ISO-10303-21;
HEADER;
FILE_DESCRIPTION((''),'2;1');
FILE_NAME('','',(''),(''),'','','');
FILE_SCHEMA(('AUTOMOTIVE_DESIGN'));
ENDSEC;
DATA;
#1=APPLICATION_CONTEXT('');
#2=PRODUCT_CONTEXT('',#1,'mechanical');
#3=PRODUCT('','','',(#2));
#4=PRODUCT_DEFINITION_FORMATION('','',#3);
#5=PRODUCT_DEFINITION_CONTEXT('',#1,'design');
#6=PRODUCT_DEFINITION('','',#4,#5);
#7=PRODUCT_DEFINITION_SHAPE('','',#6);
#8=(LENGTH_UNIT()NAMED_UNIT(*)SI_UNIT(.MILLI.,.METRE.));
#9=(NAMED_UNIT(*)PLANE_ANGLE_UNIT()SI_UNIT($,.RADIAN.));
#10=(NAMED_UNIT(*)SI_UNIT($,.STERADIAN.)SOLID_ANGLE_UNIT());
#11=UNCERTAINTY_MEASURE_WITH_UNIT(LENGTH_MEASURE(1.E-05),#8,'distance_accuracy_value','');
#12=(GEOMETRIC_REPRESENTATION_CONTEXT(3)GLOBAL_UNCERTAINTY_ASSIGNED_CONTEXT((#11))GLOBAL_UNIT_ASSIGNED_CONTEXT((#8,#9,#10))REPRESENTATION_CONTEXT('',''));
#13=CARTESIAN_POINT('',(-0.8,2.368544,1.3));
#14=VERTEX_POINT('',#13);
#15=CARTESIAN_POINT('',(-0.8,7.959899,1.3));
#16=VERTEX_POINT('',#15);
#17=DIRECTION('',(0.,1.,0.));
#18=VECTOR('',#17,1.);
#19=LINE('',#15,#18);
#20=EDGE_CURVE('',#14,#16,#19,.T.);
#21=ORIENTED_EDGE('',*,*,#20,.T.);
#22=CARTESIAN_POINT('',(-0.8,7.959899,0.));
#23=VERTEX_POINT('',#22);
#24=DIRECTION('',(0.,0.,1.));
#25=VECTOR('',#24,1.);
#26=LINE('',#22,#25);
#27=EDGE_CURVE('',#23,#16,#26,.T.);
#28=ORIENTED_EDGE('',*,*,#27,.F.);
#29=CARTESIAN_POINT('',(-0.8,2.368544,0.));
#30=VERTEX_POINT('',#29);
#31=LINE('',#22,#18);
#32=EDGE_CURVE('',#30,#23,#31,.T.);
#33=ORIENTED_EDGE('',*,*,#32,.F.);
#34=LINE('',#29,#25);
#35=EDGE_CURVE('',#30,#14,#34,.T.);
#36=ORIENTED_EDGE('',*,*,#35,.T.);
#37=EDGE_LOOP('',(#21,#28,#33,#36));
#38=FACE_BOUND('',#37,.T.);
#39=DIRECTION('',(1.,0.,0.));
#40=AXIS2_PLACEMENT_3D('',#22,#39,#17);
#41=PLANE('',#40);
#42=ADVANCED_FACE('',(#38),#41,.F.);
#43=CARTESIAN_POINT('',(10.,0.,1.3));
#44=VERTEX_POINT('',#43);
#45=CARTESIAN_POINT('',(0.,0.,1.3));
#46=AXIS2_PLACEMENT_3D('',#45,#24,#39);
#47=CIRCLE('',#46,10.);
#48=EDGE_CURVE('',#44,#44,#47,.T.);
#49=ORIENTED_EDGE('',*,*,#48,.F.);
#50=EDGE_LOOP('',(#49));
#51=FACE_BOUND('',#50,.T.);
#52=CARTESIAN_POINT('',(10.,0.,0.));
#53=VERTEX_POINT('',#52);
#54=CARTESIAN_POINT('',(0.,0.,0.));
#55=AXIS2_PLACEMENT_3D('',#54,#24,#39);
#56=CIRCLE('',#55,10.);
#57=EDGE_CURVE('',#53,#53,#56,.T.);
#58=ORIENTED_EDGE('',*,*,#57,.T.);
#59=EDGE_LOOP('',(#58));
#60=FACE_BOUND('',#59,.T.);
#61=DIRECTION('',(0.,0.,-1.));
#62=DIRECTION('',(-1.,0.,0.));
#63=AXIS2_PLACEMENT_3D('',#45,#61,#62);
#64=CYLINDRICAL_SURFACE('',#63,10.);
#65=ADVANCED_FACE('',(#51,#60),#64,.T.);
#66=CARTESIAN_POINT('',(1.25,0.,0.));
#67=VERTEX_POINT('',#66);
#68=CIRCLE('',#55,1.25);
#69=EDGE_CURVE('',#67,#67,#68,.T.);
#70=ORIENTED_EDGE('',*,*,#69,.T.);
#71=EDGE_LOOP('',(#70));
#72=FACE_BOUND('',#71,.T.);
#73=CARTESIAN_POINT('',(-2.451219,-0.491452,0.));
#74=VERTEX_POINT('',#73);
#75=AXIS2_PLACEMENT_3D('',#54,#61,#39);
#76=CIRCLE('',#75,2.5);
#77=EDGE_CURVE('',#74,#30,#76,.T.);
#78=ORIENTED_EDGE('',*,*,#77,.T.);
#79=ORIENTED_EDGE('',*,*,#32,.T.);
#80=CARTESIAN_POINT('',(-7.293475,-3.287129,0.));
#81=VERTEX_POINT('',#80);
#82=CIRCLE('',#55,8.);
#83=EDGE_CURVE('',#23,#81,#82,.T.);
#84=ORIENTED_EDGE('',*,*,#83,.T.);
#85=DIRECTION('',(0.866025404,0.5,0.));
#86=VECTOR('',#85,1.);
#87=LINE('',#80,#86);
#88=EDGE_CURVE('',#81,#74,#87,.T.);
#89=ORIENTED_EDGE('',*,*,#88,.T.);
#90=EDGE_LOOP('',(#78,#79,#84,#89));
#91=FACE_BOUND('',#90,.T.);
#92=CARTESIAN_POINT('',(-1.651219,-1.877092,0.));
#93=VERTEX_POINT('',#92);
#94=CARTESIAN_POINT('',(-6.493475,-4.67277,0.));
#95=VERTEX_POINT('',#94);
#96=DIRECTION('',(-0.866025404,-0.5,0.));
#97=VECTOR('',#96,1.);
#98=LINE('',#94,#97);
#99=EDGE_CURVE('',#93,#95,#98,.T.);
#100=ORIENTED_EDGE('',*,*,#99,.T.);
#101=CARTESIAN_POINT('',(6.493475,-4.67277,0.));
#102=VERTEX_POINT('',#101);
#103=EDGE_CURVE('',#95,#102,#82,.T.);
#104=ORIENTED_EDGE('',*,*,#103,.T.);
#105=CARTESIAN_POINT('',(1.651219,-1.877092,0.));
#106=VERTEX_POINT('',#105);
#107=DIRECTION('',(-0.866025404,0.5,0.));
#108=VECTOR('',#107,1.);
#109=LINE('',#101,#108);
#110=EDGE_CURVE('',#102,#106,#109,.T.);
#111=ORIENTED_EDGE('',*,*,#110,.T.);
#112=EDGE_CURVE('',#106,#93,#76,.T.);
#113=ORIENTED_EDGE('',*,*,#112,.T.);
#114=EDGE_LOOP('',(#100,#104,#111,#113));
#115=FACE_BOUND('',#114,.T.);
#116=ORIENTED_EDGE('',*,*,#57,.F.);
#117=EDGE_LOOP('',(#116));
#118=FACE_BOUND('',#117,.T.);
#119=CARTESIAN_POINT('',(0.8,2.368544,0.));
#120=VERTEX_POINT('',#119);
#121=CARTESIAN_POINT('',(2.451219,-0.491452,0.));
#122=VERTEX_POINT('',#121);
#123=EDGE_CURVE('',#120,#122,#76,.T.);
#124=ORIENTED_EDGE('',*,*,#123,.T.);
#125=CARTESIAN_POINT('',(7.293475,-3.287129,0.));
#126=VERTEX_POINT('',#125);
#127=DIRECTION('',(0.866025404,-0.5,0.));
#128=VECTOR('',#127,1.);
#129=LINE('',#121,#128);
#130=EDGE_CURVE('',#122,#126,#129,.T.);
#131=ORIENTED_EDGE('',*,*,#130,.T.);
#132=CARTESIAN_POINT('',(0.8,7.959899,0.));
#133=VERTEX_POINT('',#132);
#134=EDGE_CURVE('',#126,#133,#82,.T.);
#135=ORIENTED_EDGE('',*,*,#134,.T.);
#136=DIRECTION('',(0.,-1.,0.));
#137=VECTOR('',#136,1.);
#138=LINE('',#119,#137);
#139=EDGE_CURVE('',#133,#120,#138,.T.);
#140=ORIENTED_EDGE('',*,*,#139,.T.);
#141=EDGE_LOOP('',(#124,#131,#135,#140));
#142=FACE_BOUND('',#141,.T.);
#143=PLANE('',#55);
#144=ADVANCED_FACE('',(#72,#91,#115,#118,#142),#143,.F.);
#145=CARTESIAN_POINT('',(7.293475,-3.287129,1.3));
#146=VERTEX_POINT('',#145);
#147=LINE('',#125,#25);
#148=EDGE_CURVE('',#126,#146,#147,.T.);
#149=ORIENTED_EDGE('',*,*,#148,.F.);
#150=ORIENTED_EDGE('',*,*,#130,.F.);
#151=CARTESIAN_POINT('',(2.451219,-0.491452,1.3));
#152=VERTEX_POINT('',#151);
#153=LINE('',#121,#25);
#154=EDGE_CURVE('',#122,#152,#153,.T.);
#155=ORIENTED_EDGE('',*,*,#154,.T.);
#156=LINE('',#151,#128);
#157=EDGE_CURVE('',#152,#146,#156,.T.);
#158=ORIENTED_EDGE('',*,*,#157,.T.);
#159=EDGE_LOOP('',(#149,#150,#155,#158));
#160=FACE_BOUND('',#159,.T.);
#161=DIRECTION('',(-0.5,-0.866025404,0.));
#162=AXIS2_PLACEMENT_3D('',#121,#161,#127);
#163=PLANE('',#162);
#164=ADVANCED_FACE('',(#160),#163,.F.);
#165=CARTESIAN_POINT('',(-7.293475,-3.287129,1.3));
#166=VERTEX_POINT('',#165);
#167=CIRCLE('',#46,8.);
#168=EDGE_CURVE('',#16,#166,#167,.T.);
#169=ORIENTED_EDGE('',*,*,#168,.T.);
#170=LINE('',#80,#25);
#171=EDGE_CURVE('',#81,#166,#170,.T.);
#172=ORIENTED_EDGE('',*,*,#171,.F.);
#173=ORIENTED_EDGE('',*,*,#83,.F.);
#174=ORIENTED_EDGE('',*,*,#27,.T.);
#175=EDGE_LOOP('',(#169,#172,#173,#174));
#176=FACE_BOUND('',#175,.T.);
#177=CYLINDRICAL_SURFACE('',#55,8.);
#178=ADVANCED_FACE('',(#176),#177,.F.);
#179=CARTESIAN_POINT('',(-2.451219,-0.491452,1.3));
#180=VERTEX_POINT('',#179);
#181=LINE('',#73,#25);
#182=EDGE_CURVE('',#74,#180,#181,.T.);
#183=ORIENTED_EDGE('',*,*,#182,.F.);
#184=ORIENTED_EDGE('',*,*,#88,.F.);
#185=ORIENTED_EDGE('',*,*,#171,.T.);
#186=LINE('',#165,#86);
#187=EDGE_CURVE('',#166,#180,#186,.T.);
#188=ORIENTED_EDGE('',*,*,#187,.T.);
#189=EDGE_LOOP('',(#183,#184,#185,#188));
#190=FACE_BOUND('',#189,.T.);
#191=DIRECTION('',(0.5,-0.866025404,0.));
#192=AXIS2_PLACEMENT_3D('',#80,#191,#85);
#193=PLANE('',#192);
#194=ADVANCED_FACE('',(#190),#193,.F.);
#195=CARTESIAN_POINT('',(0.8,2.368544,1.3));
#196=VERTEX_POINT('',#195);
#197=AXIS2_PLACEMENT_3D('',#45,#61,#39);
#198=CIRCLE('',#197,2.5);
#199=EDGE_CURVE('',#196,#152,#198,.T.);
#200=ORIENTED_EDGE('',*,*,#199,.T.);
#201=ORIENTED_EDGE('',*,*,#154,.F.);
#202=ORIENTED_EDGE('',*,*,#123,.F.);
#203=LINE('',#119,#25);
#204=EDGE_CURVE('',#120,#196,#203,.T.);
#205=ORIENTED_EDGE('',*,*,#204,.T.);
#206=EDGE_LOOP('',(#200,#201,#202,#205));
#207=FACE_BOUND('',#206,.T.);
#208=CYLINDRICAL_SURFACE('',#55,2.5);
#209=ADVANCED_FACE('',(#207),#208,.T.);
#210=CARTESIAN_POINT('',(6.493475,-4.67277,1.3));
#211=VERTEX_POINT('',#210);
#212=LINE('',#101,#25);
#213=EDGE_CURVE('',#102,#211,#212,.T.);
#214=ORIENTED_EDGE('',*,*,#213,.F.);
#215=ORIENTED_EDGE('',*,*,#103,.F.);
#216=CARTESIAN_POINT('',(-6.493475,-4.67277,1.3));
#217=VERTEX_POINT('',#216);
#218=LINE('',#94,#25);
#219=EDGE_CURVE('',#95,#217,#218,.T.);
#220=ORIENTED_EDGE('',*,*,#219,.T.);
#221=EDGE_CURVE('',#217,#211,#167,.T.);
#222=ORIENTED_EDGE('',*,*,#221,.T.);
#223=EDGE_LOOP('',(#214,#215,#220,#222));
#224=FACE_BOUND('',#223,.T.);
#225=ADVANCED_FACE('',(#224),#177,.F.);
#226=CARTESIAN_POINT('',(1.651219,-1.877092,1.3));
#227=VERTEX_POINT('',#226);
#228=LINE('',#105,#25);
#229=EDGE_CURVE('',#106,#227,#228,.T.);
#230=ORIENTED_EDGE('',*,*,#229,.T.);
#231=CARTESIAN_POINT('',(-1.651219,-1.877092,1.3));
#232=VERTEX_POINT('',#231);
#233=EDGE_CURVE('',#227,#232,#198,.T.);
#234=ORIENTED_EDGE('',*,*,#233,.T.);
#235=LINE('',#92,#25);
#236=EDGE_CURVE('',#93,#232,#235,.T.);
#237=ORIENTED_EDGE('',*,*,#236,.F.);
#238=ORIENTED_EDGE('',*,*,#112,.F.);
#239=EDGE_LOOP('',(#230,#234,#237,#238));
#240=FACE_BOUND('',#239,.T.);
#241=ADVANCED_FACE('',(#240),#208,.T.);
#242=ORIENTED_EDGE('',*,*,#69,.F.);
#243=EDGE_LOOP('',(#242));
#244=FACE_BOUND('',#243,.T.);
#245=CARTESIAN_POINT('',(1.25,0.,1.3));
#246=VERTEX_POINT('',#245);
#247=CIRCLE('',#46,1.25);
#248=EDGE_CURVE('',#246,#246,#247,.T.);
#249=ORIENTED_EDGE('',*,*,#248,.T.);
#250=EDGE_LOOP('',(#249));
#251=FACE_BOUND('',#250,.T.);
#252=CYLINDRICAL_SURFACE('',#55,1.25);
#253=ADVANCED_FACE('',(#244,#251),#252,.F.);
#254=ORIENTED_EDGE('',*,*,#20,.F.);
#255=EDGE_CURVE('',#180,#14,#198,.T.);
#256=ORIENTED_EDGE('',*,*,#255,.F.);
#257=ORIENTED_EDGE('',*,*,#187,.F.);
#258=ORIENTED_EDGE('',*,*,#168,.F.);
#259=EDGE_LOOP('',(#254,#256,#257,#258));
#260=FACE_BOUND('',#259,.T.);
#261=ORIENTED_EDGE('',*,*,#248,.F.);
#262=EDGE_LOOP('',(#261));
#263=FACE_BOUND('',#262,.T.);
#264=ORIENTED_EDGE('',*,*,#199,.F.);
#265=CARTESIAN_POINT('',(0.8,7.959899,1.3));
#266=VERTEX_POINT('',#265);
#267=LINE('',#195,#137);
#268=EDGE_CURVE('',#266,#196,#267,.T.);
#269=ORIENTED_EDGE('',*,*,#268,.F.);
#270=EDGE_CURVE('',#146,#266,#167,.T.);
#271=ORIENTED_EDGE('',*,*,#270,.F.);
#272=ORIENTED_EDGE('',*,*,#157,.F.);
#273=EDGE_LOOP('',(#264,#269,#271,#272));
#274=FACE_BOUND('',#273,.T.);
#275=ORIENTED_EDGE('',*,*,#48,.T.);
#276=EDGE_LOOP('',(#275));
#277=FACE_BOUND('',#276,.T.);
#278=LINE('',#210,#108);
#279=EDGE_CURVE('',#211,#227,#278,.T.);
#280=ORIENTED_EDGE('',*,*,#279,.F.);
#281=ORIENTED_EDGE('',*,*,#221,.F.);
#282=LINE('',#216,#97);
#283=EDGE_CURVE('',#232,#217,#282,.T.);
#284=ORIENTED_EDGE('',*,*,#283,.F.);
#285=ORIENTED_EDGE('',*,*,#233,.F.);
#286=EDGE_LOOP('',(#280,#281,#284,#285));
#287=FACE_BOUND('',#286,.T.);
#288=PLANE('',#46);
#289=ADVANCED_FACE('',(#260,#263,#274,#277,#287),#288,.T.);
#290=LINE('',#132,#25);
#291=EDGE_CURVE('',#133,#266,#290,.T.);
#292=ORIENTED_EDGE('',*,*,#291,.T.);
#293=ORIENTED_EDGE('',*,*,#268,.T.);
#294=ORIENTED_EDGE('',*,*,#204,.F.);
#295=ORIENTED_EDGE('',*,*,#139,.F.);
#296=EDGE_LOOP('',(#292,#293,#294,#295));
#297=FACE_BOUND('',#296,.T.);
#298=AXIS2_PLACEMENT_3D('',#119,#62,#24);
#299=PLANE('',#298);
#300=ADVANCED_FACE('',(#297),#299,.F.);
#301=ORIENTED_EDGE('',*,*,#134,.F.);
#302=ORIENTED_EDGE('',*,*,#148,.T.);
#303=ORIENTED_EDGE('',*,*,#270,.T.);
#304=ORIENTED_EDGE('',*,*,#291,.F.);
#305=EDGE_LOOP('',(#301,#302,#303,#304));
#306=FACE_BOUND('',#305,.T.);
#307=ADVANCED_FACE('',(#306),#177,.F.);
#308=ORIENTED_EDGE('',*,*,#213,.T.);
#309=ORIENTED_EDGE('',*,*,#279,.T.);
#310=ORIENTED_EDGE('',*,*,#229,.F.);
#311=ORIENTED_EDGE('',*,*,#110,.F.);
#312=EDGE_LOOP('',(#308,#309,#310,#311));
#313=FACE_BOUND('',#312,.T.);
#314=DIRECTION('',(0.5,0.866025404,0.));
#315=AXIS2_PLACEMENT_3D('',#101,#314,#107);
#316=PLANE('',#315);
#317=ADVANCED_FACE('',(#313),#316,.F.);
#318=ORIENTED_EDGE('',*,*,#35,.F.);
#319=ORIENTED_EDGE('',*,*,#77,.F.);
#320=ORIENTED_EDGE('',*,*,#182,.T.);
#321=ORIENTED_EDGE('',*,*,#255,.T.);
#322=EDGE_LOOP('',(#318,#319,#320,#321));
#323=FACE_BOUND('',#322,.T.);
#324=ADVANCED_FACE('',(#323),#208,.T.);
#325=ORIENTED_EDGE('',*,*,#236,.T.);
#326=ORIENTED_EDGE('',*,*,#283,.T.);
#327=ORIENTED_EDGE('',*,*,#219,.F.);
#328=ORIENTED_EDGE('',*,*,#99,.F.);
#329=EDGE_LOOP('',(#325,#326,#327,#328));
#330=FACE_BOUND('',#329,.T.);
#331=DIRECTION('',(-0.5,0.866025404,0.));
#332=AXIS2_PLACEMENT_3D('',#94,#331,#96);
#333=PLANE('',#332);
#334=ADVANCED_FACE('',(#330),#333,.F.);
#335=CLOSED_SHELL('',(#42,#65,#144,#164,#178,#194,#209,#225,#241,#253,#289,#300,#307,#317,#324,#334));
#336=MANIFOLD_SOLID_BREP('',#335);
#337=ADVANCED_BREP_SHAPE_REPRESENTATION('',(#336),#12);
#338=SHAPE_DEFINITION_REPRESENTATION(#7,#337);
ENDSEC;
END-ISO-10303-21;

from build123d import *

# Parameters (mm, degrees)
ESQUISSE1_R             = 10
BOSS_EXTRU_1_DEPTH      = 1.3
ENL_V_MAT_EXTRU_1_DEPTH = 2.3
ESQUISSE3_R             = 1.25
ENL_V_MAT_EXTRU_2_DEPTH = 2.3


with BuildPart() as part:
    # Esquisse1 → Boss.-Extru.1 (new body)
    with BuildSketch(Plane.XY):
        Circle(ESQUISSE1_R)
    extrude(amount=BOSS_EXTRU_1_DEPTH)

    # Esquisse2 → Enlèv. mat.-Extru.1 (cut, through all)
    with BuildSketch(Plane.XY.offset(1.3)):
        with BuildLine():
            Line((-7.293475176, -3.287129425), (-2.45121915, -0.491451605))
            ThreePointArc((-2.45121915, -0.491451605), (-2.165063509, 1.25), (-0.8, 2.368543856))
            Line((-0.8, 2.368543856), (-0.8, 7.959899497))
            ThreePointArc((-0.8, 7.959899497), (-6.92820323, 4), (-7.293475176, -3.287129425))
        make_face()
        with BuildLine():
            Line((-6.493475176, -4.672770071), (-1.65121915, -1.877092251))
            ThreePointArc((-1.65121915, -1.877092251), (0, -2.5), (1.65121915, -1.877092251))
            Line((1.65121915, -1.877092251), (6.493475176, -4.672770071))
            ThreePointArc((6.493475176, -4.672770071), (0, -8), (-6.493475176, -4.672770071))
        make_face()
        with BuildLine():
            Line((2.45121915, -0.491451605), (7.293475176, -3.287129425))
            ThreePointArc((7.293475176, -3.287129425), (6.92820323, 4), (0.8, 7.959899497))
            Line((0.8, 7.959899497), (0.8, 2.368543856))
            ThreePointArc((0.8, 2.368543856), (2.165063509, 1.25), (2.45121915, -0.491451605))
        make_face()
    extrude(amount=-ENL_V_MAT_EXTRU_1_DEPTH, mode=Mode.SUBTRACT)

    # Esquisse3 → Enlèv. mat.-Extru.2 (cut, through all)
    with BuildSketch(Plane.XY.offset(1.3)):
        Circle(ESQUISSE3_R)
    extrude(amount=-ENL_V_MAT_EXTRU_2_DEPTH, mode=Mode.SUBTRACT)


solid = part.part
